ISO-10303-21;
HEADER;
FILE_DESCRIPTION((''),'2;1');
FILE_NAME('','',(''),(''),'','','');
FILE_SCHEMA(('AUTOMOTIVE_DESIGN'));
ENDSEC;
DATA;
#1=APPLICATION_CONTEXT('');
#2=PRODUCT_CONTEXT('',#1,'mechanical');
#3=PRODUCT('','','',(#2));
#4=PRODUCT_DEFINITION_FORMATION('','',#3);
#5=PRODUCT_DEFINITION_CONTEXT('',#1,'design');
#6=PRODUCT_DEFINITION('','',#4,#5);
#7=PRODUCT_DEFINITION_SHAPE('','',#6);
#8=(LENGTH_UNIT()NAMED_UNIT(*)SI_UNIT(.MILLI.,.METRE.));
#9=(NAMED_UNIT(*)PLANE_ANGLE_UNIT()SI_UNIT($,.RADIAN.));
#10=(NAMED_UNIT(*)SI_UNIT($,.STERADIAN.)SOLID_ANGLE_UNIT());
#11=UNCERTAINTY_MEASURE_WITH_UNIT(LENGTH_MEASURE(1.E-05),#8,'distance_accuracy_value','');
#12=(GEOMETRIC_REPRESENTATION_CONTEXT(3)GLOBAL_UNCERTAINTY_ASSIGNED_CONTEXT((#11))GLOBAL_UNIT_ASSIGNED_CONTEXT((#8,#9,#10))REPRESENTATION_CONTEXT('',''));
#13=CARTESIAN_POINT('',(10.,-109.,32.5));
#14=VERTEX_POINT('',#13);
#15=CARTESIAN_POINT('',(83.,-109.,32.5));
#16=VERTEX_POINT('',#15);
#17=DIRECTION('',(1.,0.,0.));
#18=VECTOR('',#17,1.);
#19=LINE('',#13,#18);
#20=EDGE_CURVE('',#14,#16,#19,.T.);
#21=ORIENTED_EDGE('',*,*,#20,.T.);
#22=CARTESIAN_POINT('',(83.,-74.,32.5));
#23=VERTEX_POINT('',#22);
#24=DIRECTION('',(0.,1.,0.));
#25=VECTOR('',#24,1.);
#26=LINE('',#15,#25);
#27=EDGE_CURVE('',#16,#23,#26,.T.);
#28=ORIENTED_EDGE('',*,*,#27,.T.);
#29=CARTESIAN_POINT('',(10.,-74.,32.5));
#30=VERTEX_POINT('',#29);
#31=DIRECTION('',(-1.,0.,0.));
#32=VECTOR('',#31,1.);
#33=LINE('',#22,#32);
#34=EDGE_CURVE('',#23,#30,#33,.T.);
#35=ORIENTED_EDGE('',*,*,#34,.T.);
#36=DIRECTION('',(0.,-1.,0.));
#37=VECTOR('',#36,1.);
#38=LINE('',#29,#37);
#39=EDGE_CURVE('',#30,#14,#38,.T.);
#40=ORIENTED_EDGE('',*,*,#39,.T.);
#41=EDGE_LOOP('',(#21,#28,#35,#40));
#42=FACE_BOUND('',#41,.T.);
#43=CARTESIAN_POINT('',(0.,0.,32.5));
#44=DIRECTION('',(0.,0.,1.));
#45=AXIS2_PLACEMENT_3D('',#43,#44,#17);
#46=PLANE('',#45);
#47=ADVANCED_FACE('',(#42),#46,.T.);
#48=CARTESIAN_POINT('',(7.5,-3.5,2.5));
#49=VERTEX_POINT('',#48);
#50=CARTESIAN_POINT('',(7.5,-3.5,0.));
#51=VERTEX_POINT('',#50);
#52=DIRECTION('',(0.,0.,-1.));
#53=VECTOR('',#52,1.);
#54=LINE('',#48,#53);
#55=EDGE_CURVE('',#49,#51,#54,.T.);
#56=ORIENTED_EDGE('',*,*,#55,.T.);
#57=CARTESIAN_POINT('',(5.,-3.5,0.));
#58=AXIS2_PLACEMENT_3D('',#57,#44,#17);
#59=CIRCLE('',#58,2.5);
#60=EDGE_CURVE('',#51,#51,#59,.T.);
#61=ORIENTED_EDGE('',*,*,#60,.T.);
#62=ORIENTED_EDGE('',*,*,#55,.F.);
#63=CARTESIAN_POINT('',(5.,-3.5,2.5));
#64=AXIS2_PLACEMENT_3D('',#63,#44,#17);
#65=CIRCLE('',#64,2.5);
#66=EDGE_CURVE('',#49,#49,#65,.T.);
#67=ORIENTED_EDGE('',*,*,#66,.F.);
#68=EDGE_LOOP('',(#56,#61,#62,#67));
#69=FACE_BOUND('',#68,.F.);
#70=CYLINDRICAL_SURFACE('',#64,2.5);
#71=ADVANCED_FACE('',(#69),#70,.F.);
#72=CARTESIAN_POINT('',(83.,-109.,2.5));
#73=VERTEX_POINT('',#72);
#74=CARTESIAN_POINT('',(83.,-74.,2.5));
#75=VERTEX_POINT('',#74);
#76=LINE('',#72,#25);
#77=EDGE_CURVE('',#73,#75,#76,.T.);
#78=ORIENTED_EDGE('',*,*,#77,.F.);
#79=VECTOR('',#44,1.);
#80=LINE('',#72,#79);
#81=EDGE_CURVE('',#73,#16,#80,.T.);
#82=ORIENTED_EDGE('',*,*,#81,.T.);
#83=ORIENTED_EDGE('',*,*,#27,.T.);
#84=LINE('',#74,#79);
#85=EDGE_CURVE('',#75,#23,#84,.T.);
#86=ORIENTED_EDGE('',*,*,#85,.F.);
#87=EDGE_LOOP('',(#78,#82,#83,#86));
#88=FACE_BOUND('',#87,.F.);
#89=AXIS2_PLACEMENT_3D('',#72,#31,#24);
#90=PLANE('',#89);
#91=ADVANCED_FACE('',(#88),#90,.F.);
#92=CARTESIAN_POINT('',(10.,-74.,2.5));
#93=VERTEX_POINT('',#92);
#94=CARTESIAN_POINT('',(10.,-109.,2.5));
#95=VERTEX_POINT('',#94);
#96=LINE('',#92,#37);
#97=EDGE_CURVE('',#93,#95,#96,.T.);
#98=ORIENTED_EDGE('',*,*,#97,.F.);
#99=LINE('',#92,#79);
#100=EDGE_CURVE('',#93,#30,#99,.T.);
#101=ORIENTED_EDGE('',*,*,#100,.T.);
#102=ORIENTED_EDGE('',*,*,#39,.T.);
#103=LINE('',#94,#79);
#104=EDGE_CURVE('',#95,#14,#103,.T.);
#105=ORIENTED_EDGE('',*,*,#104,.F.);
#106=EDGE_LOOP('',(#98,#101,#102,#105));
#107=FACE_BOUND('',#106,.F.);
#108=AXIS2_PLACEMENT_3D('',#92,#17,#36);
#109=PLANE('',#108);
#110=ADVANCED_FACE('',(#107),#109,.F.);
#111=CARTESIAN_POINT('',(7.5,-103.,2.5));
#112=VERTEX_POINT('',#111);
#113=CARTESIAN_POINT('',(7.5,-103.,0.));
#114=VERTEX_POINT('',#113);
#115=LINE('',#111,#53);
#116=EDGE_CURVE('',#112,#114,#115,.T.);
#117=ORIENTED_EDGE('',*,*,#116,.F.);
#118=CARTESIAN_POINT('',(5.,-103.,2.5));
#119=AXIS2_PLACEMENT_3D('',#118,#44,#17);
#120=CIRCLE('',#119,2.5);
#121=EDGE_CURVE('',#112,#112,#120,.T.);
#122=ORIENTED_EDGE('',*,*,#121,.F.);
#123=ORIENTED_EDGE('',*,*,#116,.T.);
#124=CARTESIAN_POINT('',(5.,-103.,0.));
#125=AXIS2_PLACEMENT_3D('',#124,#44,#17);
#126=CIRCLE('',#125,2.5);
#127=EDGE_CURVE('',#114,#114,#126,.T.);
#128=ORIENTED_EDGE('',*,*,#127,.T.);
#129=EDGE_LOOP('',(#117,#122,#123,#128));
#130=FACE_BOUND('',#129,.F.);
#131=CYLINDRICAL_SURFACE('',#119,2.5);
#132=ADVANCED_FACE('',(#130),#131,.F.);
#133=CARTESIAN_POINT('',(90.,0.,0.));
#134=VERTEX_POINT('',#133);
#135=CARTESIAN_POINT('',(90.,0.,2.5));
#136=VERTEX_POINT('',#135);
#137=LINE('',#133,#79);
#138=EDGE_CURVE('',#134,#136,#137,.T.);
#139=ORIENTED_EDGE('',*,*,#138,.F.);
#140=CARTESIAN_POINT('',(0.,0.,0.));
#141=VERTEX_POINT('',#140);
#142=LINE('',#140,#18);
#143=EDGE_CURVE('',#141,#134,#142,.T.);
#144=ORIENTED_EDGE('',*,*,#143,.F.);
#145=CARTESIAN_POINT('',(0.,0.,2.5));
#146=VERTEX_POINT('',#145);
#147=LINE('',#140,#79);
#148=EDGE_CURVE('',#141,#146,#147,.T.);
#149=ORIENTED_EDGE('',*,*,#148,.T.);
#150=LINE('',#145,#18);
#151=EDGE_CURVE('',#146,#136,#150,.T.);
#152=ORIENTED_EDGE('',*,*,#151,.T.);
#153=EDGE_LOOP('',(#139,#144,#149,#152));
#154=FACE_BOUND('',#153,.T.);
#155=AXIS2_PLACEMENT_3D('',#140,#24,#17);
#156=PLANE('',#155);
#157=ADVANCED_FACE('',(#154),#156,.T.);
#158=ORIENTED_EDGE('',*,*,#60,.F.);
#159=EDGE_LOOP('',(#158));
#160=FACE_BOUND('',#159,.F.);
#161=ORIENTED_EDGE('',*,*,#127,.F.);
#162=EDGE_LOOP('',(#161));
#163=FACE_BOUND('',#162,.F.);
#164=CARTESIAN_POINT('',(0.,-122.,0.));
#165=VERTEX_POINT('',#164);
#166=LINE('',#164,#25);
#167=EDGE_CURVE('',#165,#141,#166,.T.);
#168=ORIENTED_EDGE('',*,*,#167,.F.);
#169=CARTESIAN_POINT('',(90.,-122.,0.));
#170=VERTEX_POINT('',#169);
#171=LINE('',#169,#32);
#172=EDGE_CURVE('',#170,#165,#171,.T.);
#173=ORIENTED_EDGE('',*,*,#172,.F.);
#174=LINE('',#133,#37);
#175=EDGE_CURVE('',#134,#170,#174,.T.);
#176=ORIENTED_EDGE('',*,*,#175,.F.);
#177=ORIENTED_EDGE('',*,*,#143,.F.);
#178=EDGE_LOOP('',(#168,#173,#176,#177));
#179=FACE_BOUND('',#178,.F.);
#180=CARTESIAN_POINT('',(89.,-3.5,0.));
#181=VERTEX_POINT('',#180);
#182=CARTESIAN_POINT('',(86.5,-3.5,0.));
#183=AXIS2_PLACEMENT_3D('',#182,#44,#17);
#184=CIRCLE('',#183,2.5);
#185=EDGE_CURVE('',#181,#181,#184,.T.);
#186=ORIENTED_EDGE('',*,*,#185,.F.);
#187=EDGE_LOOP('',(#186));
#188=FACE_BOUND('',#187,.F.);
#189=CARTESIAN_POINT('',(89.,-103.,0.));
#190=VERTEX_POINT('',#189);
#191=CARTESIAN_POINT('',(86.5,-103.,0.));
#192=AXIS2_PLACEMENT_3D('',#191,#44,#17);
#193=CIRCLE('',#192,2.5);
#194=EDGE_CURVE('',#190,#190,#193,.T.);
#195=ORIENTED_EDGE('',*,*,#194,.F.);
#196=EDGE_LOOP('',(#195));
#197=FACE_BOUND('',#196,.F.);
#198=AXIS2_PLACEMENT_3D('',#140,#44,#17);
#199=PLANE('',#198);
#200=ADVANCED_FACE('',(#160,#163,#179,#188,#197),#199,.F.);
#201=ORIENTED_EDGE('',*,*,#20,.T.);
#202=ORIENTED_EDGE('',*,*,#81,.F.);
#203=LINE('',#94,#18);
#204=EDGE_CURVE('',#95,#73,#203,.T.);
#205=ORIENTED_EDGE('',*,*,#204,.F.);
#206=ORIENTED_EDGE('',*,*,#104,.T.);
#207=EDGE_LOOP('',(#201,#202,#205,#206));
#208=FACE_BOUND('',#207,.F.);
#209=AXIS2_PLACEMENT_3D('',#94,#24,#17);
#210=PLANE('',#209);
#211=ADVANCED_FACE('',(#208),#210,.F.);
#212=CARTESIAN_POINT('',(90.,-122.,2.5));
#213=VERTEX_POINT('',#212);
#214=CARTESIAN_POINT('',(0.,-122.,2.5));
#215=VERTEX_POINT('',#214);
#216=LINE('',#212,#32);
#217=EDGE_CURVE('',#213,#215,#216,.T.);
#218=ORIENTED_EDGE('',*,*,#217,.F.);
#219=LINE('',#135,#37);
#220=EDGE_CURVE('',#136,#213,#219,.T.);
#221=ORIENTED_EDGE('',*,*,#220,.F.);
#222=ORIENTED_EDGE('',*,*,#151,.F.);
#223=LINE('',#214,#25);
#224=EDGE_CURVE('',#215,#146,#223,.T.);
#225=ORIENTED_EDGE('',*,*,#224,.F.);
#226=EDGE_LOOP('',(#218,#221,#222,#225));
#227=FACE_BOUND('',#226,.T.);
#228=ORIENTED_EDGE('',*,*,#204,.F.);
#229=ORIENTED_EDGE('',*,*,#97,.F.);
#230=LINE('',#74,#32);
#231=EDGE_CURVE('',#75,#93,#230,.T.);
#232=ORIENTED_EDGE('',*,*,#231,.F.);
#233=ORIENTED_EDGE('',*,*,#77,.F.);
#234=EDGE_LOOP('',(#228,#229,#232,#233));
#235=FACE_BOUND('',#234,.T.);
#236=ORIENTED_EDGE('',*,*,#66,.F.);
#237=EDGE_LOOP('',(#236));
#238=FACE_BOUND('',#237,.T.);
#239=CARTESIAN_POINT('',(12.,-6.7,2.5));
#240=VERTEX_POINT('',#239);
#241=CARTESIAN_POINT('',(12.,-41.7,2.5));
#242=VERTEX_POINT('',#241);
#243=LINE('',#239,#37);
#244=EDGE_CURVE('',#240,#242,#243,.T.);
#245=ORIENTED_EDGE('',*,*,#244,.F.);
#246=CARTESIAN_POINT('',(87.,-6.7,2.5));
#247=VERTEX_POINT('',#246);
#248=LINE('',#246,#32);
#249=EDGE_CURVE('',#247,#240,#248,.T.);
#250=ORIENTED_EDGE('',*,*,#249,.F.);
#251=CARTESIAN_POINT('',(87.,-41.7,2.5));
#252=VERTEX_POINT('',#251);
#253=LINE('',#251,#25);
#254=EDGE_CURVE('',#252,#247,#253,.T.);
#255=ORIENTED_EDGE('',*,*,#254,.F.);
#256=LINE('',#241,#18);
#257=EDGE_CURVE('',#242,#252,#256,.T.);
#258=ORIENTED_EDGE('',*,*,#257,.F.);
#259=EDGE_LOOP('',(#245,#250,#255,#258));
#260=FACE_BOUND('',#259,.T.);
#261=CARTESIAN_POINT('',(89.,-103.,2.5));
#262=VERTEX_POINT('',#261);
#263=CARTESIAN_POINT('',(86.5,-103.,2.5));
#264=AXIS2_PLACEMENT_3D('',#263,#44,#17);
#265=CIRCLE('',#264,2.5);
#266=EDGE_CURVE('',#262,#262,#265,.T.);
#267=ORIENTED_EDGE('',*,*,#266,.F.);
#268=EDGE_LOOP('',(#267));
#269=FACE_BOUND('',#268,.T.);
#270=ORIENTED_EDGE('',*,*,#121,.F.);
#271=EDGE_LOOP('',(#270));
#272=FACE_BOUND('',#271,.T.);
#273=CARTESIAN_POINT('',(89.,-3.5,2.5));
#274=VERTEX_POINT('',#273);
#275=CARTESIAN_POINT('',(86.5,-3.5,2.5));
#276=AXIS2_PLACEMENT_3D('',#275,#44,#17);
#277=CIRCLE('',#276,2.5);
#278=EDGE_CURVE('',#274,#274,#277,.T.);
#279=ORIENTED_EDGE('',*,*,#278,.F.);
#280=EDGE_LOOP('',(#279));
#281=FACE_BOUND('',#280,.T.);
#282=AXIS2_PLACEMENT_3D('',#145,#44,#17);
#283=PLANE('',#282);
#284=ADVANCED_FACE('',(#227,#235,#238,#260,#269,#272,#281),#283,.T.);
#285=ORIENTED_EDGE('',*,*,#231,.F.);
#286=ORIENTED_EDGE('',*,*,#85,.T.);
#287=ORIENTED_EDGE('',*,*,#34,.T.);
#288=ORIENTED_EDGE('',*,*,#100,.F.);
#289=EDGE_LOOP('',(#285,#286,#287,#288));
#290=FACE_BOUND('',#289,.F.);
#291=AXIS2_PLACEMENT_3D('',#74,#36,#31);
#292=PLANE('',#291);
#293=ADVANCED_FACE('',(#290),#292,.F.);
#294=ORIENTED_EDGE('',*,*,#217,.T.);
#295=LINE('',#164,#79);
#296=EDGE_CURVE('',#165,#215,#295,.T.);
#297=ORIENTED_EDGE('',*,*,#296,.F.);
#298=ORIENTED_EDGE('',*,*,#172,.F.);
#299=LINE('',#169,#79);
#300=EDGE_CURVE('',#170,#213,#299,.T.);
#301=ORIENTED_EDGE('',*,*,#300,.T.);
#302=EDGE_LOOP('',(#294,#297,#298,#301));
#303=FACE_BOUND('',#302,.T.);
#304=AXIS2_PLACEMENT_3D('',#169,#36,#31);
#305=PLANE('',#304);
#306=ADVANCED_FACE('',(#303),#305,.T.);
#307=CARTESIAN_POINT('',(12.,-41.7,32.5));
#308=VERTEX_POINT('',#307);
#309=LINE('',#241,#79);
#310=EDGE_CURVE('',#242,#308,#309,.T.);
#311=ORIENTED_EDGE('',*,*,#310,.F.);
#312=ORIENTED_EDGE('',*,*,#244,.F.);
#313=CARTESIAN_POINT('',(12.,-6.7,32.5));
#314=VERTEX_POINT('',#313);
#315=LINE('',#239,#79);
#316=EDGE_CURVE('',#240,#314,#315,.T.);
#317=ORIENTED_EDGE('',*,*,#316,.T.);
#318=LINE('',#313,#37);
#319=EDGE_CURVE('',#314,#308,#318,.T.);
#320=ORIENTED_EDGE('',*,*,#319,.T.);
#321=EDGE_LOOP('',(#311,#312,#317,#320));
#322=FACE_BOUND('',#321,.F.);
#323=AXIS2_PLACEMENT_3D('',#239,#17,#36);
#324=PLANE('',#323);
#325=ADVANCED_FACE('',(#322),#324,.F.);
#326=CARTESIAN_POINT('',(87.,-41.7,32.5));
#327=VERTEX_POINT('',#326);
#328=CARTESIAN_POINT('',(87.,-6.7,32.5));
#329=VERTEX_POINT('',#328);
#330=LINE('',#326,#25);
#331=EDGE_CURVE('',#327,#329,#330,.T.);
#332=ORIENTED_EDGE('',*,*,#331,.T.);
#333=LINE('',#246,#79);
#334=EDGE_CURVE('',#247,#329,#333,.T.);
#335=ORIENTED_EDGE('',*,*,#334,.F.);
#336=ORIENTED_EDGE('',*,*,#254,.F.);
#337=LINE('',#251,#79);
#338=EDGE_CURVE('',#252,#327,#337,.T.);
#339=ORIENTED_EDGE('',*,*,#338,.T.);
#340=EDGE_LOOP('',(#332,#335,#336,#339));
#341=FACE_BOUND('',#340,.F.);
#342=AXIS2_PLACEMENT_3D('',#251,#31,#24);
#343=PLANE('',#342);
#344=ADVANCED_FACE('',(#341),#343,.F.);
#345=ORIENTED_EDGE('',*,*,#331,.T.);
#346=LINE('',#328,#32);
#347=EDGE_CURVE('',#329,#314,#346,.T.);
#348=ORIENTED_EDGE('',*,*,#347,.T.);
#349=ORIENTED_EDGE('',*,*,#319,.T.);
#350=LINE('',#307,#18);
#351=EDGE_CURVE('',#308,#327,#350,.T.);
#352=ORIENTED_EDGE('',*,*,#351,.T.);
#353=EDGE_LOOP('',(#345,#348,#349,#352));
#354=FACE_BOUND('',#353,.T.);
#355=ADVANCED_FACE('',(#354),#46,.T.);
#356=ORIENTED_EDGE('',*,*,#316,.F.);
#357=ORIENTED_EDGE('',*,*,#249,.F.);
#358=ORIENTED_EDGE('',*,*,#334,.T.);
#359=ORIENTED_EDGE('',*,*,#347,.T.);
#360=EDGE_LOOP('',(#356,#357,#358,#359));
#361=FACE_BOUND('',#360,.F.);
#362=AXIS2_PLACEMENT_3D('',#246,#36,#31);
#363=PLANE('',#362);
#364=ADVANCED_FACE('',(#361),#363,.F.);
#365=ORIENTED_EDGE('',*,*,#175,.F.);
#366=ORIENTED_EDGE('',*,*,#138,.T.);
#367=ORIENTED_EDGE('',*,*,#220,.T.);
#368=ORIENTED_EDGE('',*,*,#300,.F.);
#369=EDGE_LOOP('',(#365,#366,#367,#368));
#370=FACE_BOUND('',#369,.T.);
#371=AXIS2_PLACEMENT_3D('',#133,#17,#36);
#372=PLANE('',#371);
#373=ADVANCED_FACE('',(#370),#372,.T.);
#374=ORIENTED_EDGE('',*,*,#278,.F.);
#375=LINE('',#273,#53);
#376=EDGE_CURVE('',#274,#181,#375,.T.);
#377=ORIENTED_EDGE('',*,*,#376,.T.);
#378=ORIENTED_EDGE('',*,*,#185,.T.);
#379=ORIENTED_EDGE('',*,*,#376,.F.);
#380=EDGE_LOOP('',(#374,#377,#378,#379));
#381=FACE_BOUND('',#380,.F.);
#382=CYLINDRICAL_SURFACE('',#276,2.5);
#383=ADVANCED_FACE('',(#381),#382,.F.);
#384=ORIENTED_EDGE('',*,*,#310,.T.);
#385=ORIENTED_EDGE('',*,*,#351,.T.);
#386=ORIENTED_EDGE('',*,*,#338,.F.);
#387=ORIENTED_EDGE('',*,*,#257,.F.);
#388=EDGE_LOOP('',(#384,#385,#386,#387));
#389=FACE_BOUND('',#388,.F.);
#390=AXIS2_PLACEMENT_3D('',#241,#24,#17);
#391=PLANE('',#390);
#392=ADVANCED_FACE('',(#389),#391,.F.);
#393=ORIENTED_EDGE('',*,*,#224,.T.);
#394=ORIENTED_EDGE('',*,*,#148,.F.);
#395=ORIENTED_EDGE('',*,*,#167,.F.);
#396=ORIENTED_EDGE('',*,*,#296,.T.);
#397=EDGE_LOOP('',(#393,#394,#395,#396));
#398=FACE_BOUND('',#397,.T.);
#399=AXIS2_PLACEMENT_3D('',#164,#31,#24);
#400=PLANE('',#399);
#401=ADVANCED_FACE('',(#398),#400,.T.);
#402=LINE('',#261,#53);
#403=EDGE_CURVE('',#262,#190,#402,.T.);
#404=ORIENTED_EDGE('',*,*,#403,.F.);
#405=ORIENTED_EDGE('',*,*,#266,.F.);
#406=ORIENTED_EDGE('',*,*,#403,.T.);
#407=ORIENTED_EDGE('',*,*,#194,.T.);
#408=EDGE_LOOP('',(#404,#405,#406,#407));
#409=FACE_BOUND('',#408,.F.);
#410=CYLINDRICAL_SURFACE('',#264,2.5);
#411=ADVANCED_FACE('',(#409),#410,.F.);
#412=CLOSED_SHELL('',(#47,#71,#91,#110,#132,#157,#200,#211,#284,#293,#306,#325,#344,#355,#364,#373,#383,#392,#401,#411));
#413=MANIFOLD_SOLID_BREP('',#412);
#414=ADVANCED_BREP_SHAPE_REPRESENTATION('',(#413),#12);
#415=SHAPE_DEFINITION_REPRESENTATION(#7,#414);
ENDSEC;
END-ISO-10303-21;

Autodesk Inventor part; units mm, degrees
ref_plane "YZ Plane" through (0, 0, 0) normal (1, 0, 0) x (0, 1, 0)
ref_plane "XZ Plane" through (0, 0, 0) normal (0, 1, 0) x (-1, 0, 0)
ref_plane "XY Plane" through (0, 0, 0) normal (0, 0, 1) x (1, 0, 0)
sketch "Schizzo1" plane through (0, 0, 0) normal (0, 0, 1) x (1, 0, 0)
  line L0 (0, 0) -> (90, 0)
  line L1 (90, 0) -> (90, -122)
  line L2 (90, -122) -> (0, -122)
  line L3 (0, -122) -> (0, 0)
  dimension "d0" = 90
  dimension "d1" = 122
extrude "Estrusione1" add sketch "Schizzo1" along normal blind 2.5
sketch "Schizzo2" plane through (0, 0, 2.5) normal (0, 0, 1) x (1, 0, 0)
  line L0 (90, 0) -> (0, 0) projected
  line L1 (0, -122) -> (90, -122) projected
  line L2 (90, 0) -> (87, 0)
  line L3 (87, -6.7) -> (12, -6.7)
  line L4 (12, -6.7) -> (12, -41.7)
  line L5 (12, -41.7) -> (87, -41.7)
  line L6 (87, -41.7) -> (87, -6.7)
  line L7 (0, -122) -> (10, -122)
  line L8 (10, -109) -> (83, -109)
  line L9 (83, -109) -> (83, -74)
  line L10 (83, -74) -> (10, -74)
  line L11 (10, -74) -> (10, -109)
  point P0 (87, -6.7)
  dimension "d6" = 75
  dimension "d7" = 35
  dimension "d10" = 73
  dimension "d11" = 35
extrude "Estrusione2" add sketch "Schizzo2" along normal blind 30
sketch "Schizzo3" plane through (0, 0, 2.5) normal (0, 0, 1) x (1, 0, 0)
  line L0 (90, -122) -> (90, 0) projected
  line L1 (90, 0) -> (0, 0) projected
  line L2 (90, 0) -> (90, -6)
  line L3 (90, 0) -> (86.5, 0)
  circle A0 centre (86.5, -3.5) radius 2.5
  circle A1 centre (5, -3.5) radius 2.5
  circle A2 centre (5, -103) radius 2.5
  circle A3 centre (86.5, -103) radius 2.5
extrude "Estrusione3" cut sketch "Schizzo3" against normal up to surface (2.5 mm away)
properties part number "PCB" material "Plastica ABS"
